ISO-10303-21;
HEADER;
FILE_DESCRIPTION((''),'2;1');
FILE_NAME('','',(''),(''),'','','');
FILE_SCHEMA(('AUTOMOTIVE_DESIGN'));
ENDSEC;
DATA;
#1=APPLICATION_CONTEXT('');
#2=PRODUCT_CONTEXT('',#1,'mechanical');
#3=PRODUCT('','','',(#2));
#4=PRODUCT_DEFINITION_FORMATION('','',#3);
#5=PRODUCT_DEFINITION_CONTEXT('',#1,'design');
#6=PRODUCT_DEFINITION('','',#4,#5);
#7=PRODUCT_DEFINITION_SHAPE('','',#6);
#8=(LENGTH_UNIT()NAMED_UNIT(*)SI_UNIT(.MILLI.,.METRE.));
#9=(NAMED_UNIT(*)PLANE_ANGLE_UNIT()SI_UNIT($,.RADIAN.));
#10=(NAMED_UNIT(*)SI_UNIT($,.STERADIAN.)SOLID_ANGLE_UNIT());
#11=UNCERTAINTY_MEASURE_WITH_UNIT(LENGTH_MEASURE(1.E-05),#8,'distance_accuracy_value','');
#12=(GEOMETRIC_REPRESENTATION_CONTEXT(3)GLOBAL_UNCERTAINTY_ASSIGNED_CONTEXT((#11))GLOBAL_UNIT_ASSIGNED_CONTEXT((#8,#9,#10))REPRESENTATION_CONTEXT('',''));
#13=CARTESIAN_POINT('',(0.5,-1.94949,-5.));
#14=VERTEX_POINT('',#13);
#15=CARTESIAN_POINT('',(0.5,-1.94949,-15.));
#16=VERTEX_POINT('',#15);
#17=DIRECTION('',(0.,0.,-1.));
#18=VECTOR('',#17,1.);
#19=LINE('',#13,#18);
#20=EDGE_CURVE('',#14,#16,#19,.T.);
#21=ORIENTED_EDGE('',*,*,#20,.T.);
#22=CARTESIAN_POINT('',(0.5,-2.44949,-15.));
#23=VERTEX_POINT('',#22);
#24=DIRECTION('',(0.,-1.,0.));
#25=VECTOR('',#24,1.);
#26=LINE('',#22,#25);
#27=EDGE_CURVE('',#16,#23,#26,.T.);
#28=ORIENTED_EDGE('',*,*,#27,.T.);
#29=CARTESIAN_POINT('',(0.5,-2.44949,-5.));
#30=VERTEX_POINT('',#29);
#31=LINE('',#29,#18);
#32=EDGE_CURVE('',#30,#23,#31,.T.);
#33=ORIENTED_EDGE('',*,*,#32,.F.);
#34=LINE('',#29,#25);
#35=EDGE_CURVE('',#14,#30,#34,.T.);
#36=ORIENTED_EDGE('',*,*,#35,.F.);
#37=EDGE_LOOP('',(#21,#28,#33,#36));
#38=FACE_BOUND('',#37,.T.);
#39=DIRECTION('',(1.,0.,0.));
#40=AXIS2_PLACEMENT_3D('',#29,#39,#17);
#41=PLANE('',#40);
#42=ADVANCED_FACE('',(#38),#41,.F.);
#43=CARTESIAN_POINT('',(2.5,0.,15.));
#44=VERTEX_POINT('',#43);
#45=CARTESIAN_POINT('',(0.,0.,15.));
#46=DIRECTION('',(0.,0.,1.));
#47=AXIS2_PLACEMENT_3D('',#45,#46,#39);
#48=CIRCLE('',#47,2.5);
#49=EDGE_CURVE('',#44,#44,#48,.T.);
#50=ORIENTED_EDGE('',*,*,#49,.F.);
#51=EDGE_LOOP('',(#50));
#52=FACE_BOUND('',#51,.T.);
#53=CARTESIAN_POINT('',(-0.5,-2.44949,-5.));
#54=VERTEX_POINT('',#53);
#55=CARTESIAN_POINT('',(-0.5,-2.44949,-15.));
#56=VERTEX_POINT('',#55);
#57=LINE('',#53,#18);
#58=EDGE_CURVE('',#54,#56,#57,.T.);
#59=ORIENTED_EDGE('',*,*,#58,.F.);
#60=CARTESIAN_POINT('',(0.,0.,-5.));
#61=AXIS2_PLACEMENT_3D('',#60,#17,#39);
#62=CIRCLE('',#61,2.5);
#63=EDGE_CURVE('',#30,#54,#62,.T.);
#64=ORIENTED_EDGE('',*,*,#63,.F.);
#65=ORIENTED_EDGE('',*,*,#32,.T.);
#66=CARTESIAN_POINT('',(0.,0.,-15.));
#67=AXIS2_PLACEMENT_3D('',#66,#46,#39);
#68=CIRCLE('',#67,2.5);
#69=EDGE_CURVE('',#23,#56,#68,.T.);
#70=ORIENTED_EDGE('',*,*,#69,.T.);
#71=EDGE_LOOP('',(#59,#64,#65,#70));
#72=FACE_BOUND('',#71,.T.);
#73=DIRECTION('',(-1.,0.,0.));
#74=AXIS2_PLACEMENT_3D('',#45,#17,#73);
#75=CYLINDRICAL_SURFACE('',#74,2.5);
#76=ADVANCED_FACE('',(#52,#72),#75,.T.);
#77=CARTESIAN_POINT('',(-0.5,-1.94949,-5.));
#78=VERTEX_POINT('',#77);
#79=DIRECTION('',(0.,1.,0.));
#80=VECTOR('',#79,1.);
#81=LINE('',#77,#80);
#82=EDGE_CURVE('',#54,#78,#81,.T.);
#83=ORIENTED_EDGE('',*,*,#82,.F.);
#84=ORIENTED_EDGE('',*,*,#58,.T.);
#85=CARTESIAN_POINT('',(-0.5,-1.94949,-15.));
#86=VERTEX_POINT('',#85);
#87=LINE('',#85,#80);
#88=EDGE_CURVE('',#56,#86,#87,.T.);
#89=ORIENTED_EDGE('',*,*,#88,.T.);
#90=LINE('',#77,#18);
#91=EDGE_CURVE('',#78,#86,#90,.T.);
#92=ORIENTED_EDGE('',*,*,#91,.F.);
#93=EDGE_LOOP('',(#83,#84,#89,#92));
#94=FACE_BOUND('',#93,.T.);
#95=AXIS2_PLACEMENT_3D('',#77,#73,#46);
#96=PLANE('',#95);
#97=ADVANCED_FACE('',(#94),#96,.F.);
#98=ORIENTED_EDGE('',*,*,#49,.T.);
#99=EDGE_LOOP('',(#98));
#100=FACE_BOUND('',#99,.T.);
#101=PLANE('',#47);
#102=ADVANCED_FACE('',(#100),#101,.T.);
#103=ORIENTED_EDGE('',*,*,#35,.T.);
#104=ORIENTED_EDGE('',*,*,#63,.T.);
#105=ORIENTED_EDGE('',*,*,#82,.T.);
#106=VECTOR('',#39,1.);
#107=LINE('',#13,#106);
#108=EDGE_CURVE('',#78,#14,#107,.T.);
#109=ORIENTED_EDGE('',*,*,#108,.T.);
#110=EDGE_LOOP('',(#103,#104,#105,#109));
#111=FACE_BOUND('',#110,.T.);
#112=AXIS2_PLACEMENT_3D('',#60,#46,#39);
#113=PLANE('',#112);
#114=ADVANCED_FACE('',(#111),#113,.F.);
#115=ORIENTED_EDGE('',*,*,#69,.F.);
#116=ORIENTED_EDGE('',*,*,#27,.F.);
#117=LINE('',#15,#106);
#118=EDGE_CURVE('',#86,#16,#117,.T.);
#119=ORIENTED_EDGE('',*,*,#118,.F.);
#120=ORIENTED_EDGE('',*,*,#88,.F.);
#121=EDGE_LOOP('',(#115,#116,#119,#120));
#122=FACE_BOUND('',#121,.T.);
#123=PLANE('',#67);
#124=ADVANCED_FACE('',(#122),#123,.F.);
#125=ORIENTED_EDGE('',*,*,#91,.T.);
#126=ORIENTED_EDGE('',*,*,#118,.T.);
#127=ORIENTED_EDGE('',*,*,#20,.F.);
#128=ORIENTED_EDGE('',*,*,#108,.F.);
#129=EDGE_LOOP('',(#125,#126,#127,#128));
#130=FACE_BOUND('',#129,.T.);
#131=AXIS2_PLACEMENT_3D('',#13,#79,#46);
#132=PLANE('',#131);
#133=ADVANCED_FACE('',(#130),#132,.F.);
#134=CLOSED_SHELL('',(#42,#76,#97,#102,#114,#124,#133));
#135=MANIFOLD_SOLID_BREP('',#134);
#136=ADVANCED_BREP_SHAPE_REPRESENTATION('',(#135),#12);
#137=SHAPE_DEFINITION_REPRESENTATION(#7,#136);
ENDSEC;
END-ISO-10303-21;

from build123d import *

# Parameters (mm, degrees)
SKETCH1_R           = 2.5
BOSS_EXTRUDE1_DEPTH = 15
CUT_EXTRUDE1_DEPTH  = 10


with BuildPart() as part:
    # Sketch1 → Boss-Extrude1 (new body, symmetric)
    with BuildSketch(Plane.XY):
        Circle(SKETCH1_R)
    extrude(amount=BOSS_EXTRUDE1_DEPTH, both=True)

    # Sketch2 → Cut-Extrude1 (cut)
    with BuildSketch(Plane(origin=(0, 0, -15), x_dir=(-1, 0, 0), z_dir=(0, 0, -1))):
        with BuildLine():
            Line((-0.5, -2.449489743), (-0.5, -1.949489743))
            Line((-0.5, -1.949489743), (0.5, -1.949489743))
            Line((0.5, -1.949489743), (0.5, -2.449489743))
            ThreePointArc((0.5, -2.449489743), (0, -2.5), (-0.5, -2.449489743))
        make_face()
    extrude(amount=-CUT_EXTRUDE1_DEPTH, mode=Mode.SUBTRACT)


solid = part.part
